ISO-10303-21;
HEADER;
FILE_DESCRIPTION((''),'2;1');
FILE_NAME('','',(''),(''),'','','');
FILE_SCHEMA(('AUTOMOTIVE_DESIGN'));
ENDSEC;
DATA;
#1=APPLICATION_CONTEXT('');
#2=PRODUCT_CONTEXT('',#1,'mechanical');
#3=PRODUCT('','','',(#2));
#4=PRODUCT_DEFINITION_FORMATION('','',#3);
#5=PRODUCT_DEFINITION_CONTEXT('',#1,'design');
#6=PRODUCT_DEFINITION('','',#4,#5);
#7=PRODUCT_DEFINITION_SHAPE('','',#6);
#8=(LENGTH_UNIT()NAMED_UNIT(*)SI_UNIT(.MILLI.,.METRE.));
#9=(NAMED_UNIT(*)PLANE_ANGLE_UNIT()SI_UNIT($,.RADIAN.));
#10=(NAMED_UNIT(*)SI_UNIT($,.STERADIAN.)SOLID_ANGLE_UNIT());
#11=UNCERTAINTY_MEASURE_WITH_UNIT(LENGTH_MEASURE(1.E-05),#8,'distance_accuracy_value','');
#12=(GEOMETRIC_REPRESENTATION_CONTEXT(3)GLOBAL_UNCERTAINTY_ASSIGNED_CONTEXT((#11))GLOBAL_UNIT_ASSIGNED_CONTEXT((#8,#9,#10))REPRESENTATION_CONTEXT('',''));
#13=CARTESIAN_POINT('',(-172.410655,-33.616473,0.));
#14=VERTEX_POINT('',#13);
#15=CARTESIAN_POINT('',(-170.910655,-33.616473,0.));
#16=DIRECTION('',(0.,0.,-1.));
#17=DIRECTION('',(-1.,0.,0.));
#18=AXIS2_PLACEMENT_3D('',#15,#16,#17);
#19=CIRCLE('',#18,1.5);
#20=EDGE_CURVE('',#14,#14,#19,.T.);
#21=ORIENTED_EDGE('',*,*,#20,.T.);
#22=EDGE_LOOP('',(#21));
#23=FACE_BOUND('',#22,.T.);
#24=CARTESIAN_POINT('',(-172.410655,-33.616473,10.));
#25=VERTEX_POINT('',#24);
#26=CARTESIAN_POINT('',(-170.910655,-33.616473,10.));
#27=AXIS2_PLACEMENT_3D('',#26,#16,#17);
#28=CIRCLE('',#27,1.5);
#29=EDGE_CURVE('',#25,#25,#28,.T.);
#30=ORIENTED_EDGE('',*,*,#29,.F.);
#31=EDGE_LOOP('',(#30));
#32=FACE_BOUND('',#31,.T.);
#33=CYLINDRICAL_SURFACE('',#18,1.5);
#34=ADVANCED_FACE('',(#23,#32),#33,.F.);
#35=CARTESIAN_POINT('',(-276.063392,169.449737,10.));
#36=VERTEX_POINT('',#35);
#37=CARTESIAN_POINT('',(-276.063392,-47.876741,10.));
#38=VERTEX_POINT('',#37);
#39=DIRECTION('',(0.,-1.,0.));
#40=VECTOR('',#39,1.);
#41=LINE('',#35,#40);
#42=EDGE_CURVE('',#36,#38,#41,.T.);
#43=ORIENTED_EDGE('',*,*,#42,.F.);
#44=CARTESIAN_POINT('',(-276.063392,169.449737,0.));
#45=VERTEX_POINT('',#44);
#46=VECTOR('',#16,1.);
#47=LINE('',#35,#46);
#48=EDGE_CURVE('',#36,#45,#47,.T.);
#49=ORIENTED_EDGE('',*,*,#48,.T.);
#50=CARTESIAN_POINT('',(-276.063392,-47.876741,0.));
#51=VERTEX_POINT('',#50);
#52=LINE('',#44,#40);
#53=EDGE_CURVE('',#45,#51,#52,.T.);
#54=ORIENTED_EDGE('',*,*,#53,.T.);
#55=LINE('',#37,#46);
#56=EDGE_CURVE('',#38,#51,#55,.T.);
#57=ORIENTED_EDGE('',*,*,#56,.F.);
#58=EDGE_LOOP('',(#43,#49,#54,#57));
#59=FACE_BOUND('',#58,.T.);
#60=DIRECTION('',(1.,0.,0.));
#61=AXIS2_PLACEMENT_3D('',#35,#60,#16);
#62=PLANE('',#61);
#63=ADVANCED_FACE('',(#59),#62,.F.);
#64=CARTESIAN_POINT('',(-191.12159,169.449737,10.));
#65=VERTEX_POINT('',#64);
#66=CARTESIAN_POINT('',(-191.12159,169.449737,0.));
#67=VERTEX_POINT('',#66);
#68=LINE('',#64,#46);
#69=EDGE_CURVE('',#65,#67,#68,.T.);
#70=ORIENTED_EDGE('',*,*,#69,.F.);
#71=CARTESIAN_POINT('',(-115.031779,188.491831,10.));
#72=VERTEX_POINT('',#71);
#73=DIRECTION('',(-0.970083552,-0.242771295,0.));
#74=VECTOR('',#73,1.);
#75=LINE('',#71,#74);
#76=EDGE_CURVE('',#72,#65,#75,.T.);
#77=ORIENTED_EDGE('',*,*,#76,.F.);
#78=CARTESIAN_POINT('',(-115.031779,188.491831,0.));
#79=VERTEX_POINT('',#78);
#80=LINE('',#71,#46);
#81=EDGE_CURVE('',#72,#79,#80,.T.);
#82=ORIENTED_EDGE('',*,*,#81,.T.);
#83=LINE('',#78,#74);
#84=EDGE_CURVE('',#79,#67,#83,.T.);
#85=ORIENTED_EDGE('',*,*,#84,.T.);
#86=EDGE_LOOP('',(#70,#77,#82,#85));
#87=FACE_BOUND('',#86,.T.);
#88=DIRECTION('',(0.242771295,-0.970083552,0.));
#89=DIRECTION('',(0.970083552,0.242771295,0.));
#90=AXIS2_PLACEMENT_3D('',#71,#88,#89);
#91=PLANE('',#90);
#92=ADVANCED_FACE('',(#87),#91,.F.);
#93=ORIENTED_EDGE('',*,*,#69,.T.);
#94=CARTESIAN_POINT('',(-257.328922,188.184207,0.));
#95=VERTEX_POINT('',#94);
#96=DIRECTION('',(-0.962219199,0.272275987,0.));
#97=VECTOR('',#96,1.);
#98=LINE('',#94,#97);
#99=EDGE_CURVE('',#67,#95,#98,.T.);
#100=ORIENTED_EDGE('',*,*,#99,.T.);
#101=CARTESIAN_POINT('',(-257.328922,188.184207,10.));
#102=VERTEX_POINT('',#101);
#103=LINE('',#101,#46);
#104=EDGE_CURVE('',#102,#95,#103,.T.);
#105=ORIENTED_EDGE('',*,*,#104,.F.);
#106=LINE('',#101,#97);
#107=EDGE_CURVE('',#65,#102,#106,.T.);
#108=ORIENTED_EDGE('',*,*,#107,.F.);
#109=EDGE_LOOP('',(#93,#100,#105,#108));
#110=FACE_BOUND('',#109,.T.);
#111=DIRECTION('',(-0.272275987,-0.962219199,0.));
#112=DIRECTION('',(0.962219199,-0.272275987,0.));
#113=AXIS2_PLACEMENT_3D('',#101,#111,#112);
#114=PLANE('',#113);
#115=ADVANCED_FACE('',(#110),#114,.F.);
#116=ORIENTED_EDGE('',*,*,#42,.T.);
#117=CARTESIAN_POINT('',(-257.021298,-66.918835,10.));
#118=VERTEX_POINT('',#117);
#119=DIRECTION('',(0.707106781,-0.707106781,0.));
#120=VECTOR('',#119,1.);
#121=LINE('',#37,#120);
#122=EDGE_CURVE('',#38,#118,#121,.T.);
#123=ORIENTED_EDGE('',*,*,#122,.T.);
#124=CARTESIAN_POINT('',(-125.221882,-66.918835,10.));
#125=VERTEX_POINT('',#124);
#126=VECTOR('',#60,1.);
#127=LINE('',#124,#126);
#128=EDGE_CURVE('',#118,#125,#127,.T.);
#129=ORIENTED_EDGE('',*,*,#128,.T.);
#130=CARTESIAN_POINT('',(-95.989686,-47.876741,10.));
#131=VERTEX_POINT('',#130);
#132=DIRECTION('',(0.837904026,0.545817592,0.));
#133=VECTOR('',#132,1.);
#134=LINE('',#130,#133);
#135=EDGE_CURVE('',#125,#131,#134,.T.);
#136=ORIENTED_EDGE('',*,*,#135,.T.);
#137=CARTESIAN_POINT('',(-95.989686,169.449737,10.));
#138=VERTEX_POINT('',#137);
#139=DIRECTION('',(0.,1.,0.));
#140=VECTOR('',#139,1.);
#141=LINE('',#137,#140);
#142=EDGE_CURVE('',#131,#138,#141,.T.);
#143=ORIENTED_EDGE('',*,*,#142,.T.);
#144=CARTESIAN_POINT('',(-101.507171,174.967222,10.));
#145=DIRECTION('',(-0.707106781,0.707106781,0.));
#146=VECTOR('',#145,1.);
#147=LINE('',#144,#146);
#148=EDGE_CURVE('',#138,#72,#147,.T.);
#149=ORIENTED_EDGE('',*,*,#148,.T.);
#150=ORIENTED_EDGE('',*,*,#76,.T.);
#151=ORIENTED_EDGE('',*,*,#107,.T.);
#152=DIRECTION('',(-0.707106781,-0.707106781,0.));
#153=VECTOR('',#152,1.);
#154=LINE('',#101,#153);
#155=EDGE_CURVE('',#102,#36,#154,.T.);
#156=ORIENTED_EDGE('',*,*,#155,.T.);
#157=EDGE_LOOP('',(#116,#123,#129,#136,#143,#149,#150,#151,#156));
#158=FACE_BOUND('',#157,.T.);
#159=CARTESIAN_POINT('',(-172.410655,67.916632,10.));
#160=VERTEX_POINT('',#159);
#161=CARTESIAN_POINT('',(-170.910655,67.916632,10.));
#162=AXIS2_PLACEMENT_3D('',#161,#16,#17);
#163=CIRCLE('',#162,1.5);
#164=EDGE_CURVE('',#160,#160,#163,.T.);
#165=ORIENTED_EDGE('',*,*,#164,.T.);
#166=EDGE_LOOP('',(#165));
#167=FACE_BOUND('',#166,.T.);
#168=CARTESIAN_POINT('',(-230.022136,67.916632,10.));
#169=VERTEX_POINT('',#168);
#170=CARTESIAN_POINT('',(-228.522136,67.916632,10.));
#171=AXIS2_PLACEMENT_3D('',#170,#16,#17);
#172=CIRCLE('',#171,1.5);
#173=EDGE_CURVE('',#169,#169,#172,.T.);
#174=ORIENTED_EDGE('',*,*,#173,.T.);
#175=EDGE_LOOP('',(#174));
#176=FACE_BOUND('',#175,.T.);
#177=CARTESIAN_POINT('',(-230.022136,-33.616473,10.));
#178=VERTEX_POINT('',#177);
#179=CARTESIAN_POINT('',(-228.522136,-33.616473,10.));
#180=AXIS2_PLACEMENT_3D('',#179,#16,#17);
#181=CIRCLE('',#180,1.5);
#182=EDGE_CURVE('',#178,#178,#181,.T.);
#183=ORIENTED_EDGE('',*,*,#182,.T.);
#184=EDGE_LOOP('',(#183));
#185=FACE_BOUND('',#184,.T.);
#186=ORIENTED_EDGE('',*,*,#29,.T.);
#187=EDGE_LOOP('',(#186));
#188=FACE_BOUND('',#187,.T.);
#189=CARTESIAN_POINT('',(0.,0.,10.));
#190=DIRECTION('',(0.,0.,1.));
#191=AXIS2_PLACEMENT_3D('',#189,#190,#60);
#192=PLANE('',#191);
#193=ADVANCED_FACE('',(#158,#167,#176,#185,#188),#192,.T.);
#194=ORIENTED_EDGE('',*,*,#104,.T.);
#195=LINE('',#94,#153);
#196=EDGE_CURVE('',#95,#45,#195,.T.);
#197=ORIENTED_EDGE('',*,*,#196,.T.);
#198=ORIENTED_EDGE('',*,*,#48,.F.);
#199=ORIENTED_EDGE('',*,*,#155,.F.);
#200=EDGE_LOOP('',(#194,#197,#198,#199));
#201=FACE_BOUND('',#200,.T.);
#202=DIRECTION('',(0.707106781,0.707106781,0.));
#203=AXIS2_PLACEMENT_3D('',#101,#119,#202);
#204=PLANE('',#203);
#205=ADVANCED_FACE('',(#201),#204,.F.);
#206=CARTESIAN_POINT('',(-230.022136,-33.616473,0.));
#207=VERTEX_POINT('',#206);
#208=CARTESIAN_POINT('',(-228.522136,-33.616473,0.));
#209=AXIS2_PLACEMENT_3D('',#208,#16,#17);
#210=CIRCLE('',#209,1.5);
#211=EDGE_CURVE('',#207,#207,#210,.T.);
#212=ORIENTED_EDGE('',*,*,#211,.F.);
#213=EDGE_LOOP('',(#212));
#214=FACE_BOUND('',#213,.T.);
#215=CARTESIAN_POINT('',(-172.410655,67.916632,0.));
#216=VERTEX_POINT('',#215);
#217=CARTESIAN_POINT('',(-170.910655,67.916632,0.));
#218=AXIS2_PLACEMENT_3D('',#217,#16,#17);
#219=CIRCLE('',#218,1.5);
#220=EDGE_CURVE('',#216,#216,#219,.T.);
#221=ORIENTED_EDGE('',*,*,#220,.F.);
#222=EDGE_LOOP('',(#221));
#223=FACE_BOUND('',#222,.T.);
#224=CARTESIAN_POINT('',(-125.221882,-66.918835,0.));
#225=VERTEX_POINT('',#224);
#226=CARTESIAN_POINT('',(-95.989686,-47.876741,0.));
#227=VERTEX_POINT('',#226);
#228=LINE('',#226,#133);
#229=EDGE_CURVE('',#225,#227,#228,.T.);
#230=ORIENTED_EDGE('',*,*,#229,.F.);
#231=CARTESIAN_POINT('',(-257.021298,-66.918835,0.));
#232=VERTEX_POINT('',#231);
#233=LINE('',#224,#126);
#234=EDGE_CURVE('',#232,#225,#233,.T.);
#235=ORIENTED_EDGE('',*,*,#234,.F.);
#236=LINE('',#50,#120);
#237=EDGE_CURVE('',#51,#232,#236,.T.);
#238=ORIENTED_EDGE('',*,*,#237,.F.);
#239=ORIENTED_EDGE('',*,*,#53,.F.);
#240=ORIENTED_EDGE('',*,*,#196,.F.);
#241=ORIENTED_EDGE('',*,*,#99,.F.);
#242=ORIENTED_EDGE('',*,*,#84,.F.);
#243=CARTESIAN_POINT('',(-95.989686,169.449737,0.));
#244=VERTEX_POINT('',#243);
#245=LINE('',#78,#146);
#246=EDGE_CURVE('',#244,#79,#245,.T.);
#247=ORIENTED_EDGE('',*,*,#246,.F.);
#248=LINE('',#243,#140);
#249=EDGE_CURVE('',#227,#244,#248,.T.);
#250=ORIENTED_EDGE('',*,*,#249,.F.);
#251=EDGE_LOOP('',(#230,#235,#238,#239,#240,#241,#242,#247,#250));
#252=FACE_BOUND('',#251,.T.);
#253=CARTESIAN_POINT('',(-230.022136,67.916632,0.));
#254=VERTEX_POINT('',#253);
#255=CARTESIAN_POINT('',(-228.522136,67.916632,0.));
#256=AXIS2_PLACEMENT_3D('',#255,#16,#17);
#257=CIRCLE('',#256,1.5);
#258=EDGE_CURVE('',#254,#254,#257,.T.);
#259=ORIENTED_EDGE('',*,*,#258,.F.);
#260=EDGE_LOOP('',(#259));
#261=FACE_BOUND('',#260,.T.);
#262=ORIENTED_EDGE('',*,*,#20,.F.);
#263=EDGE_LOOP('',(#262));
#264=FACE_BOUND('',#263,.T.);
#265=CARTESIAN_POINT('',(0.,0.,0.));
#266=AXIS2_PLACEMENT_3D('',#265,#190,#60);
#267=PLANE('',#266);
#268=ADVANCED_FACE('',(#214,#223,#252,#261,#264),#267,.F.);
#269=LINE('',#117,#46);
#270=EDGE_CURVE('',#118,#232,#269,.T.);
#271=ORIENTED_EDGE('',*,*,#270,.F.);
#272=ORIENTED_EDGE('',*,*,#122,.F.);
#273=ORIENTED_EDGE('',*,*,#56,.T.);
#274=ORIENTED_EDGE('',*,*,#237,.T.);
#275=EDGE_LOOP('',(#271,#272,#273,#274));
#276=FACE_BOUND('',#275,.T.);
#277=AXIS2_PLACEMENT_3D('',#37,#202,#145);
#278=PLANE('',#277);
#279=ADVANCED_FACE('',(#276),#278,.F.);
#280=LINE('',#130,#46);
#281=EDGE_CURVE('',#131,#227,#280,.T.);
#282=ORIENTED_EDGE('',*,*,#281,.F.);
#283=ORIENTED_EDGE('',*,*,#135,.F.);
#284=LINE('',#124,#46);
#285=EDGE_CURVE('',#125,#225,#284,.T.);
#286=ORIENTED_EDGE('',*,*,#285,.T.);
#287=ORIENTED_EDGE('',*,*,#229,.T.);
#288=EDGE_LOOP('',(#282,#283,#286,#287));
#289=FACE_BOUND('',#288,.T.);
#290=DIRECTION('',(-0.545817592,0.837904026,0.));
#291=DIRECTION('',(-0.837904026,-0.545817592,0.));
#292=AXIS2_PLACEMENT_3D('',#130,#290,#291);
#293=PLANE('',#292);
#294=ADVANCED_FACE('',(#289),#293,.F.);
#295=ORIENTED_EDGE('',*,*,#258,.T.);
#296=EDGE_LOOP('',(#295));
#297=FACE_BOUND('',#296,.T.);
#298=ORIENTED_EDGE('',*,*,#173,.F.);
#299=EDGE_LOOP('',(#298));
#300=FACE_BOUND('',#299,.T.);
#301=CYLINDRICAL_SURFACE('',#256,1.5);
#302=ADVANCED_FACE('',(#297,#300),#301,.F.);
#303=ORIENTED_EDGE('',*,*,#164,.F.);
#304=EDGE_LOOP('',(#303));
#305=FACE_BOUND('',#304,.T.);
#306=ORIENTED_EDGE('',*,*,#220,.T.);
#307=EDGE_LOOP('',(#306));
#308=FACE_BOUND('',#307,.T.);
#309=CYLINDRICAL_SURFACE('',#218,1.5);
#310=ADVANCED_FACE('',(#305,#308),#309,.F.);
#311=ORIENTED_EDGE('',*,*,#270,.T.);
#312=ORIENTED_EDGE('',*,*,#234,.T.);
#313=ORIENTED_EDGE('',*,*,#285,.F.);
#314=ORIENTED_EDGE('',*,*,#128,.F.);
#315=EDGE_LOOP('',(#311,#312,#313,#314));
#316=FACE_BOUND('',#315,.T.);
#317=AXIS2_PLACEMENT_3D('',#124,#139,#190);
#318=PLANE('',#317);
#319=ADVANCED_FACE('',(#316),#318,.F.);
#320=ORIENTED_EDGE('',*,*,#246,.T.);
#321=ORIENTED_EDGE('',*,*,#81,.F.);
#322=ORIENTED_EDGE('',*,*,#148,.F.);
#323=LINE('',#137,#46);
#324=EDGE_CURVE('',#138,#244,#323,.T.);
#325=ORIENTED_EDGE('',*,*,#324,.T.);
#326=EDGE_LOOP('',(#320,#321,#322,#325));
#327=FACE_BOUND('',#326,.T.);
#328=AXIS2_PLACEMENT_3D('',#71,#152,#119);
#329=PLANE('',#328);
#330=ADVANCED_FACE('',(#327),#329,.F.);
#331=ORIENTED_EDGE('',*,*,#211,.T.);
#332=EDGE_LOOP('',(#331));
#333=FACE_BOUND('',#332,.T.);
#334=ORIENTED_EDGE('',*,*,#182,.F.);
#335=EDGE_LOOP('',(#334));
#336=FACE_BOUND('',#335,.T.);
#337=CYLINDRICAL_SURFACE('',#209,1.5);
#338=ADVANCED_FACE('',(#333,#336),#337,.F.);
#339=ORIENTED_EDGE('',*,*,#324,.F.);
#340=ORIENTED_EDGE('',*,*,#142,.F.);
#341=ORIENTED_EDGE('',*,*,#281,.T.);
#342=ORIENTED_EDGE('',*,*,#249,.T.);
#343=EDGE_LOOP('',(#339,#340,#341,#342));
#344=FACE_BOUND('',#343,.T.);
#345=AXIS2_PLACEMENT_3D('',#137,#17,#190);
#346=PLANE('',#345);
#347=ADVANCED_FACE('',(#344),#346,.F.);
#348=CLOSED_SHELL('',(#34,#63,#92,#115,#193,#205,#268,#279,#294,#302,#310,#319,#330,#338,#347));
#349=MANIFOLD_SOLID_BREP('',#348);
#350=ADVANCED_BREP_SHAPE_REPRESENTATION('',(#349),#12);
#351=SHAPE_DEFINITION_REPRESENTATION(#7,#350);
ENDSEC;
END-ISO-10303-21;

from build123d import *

# Parameters (mm, degrees)
EXTRUDE_2_DEPTH = 10
MM_1_D          = 3


with BuildPart() as part:
    # 草图3 → 凸台-拉伸2 (new body)
    with BuildSketch(Plane.XY):
        Polygon((-276.063392165, 169.449737011), (-276.063392165, -47.876740949), (-257.021298437, -66.918834677), (-125.22188191, -66.918834677), (-95.989685612, -47.876740949), (-95.989685612, 169.449737011), (-101.507171046, 174.967222445), (-115.03177934, 188.491830739), (-191.121590173, 169.449737011), (-257.328922186, 188.18420699), align=None)
    extrude(amount=EXTRUDE_2_DEPTH)

    # 大小mm 暗销孔1 (through all)
    with Locations(Plane(origin=(0, 0, 0), x_dir=(-1, 0, 0), z_dir=(0, 0, -1))):
        with Locations((170.910655251, 67.916631822), (228.522136285, 67.916631822), (228.522136285, -33.616473367), (170.910655251, -33.616473367)):
            Hole(MM_1_D / 2)


solid = part.part
